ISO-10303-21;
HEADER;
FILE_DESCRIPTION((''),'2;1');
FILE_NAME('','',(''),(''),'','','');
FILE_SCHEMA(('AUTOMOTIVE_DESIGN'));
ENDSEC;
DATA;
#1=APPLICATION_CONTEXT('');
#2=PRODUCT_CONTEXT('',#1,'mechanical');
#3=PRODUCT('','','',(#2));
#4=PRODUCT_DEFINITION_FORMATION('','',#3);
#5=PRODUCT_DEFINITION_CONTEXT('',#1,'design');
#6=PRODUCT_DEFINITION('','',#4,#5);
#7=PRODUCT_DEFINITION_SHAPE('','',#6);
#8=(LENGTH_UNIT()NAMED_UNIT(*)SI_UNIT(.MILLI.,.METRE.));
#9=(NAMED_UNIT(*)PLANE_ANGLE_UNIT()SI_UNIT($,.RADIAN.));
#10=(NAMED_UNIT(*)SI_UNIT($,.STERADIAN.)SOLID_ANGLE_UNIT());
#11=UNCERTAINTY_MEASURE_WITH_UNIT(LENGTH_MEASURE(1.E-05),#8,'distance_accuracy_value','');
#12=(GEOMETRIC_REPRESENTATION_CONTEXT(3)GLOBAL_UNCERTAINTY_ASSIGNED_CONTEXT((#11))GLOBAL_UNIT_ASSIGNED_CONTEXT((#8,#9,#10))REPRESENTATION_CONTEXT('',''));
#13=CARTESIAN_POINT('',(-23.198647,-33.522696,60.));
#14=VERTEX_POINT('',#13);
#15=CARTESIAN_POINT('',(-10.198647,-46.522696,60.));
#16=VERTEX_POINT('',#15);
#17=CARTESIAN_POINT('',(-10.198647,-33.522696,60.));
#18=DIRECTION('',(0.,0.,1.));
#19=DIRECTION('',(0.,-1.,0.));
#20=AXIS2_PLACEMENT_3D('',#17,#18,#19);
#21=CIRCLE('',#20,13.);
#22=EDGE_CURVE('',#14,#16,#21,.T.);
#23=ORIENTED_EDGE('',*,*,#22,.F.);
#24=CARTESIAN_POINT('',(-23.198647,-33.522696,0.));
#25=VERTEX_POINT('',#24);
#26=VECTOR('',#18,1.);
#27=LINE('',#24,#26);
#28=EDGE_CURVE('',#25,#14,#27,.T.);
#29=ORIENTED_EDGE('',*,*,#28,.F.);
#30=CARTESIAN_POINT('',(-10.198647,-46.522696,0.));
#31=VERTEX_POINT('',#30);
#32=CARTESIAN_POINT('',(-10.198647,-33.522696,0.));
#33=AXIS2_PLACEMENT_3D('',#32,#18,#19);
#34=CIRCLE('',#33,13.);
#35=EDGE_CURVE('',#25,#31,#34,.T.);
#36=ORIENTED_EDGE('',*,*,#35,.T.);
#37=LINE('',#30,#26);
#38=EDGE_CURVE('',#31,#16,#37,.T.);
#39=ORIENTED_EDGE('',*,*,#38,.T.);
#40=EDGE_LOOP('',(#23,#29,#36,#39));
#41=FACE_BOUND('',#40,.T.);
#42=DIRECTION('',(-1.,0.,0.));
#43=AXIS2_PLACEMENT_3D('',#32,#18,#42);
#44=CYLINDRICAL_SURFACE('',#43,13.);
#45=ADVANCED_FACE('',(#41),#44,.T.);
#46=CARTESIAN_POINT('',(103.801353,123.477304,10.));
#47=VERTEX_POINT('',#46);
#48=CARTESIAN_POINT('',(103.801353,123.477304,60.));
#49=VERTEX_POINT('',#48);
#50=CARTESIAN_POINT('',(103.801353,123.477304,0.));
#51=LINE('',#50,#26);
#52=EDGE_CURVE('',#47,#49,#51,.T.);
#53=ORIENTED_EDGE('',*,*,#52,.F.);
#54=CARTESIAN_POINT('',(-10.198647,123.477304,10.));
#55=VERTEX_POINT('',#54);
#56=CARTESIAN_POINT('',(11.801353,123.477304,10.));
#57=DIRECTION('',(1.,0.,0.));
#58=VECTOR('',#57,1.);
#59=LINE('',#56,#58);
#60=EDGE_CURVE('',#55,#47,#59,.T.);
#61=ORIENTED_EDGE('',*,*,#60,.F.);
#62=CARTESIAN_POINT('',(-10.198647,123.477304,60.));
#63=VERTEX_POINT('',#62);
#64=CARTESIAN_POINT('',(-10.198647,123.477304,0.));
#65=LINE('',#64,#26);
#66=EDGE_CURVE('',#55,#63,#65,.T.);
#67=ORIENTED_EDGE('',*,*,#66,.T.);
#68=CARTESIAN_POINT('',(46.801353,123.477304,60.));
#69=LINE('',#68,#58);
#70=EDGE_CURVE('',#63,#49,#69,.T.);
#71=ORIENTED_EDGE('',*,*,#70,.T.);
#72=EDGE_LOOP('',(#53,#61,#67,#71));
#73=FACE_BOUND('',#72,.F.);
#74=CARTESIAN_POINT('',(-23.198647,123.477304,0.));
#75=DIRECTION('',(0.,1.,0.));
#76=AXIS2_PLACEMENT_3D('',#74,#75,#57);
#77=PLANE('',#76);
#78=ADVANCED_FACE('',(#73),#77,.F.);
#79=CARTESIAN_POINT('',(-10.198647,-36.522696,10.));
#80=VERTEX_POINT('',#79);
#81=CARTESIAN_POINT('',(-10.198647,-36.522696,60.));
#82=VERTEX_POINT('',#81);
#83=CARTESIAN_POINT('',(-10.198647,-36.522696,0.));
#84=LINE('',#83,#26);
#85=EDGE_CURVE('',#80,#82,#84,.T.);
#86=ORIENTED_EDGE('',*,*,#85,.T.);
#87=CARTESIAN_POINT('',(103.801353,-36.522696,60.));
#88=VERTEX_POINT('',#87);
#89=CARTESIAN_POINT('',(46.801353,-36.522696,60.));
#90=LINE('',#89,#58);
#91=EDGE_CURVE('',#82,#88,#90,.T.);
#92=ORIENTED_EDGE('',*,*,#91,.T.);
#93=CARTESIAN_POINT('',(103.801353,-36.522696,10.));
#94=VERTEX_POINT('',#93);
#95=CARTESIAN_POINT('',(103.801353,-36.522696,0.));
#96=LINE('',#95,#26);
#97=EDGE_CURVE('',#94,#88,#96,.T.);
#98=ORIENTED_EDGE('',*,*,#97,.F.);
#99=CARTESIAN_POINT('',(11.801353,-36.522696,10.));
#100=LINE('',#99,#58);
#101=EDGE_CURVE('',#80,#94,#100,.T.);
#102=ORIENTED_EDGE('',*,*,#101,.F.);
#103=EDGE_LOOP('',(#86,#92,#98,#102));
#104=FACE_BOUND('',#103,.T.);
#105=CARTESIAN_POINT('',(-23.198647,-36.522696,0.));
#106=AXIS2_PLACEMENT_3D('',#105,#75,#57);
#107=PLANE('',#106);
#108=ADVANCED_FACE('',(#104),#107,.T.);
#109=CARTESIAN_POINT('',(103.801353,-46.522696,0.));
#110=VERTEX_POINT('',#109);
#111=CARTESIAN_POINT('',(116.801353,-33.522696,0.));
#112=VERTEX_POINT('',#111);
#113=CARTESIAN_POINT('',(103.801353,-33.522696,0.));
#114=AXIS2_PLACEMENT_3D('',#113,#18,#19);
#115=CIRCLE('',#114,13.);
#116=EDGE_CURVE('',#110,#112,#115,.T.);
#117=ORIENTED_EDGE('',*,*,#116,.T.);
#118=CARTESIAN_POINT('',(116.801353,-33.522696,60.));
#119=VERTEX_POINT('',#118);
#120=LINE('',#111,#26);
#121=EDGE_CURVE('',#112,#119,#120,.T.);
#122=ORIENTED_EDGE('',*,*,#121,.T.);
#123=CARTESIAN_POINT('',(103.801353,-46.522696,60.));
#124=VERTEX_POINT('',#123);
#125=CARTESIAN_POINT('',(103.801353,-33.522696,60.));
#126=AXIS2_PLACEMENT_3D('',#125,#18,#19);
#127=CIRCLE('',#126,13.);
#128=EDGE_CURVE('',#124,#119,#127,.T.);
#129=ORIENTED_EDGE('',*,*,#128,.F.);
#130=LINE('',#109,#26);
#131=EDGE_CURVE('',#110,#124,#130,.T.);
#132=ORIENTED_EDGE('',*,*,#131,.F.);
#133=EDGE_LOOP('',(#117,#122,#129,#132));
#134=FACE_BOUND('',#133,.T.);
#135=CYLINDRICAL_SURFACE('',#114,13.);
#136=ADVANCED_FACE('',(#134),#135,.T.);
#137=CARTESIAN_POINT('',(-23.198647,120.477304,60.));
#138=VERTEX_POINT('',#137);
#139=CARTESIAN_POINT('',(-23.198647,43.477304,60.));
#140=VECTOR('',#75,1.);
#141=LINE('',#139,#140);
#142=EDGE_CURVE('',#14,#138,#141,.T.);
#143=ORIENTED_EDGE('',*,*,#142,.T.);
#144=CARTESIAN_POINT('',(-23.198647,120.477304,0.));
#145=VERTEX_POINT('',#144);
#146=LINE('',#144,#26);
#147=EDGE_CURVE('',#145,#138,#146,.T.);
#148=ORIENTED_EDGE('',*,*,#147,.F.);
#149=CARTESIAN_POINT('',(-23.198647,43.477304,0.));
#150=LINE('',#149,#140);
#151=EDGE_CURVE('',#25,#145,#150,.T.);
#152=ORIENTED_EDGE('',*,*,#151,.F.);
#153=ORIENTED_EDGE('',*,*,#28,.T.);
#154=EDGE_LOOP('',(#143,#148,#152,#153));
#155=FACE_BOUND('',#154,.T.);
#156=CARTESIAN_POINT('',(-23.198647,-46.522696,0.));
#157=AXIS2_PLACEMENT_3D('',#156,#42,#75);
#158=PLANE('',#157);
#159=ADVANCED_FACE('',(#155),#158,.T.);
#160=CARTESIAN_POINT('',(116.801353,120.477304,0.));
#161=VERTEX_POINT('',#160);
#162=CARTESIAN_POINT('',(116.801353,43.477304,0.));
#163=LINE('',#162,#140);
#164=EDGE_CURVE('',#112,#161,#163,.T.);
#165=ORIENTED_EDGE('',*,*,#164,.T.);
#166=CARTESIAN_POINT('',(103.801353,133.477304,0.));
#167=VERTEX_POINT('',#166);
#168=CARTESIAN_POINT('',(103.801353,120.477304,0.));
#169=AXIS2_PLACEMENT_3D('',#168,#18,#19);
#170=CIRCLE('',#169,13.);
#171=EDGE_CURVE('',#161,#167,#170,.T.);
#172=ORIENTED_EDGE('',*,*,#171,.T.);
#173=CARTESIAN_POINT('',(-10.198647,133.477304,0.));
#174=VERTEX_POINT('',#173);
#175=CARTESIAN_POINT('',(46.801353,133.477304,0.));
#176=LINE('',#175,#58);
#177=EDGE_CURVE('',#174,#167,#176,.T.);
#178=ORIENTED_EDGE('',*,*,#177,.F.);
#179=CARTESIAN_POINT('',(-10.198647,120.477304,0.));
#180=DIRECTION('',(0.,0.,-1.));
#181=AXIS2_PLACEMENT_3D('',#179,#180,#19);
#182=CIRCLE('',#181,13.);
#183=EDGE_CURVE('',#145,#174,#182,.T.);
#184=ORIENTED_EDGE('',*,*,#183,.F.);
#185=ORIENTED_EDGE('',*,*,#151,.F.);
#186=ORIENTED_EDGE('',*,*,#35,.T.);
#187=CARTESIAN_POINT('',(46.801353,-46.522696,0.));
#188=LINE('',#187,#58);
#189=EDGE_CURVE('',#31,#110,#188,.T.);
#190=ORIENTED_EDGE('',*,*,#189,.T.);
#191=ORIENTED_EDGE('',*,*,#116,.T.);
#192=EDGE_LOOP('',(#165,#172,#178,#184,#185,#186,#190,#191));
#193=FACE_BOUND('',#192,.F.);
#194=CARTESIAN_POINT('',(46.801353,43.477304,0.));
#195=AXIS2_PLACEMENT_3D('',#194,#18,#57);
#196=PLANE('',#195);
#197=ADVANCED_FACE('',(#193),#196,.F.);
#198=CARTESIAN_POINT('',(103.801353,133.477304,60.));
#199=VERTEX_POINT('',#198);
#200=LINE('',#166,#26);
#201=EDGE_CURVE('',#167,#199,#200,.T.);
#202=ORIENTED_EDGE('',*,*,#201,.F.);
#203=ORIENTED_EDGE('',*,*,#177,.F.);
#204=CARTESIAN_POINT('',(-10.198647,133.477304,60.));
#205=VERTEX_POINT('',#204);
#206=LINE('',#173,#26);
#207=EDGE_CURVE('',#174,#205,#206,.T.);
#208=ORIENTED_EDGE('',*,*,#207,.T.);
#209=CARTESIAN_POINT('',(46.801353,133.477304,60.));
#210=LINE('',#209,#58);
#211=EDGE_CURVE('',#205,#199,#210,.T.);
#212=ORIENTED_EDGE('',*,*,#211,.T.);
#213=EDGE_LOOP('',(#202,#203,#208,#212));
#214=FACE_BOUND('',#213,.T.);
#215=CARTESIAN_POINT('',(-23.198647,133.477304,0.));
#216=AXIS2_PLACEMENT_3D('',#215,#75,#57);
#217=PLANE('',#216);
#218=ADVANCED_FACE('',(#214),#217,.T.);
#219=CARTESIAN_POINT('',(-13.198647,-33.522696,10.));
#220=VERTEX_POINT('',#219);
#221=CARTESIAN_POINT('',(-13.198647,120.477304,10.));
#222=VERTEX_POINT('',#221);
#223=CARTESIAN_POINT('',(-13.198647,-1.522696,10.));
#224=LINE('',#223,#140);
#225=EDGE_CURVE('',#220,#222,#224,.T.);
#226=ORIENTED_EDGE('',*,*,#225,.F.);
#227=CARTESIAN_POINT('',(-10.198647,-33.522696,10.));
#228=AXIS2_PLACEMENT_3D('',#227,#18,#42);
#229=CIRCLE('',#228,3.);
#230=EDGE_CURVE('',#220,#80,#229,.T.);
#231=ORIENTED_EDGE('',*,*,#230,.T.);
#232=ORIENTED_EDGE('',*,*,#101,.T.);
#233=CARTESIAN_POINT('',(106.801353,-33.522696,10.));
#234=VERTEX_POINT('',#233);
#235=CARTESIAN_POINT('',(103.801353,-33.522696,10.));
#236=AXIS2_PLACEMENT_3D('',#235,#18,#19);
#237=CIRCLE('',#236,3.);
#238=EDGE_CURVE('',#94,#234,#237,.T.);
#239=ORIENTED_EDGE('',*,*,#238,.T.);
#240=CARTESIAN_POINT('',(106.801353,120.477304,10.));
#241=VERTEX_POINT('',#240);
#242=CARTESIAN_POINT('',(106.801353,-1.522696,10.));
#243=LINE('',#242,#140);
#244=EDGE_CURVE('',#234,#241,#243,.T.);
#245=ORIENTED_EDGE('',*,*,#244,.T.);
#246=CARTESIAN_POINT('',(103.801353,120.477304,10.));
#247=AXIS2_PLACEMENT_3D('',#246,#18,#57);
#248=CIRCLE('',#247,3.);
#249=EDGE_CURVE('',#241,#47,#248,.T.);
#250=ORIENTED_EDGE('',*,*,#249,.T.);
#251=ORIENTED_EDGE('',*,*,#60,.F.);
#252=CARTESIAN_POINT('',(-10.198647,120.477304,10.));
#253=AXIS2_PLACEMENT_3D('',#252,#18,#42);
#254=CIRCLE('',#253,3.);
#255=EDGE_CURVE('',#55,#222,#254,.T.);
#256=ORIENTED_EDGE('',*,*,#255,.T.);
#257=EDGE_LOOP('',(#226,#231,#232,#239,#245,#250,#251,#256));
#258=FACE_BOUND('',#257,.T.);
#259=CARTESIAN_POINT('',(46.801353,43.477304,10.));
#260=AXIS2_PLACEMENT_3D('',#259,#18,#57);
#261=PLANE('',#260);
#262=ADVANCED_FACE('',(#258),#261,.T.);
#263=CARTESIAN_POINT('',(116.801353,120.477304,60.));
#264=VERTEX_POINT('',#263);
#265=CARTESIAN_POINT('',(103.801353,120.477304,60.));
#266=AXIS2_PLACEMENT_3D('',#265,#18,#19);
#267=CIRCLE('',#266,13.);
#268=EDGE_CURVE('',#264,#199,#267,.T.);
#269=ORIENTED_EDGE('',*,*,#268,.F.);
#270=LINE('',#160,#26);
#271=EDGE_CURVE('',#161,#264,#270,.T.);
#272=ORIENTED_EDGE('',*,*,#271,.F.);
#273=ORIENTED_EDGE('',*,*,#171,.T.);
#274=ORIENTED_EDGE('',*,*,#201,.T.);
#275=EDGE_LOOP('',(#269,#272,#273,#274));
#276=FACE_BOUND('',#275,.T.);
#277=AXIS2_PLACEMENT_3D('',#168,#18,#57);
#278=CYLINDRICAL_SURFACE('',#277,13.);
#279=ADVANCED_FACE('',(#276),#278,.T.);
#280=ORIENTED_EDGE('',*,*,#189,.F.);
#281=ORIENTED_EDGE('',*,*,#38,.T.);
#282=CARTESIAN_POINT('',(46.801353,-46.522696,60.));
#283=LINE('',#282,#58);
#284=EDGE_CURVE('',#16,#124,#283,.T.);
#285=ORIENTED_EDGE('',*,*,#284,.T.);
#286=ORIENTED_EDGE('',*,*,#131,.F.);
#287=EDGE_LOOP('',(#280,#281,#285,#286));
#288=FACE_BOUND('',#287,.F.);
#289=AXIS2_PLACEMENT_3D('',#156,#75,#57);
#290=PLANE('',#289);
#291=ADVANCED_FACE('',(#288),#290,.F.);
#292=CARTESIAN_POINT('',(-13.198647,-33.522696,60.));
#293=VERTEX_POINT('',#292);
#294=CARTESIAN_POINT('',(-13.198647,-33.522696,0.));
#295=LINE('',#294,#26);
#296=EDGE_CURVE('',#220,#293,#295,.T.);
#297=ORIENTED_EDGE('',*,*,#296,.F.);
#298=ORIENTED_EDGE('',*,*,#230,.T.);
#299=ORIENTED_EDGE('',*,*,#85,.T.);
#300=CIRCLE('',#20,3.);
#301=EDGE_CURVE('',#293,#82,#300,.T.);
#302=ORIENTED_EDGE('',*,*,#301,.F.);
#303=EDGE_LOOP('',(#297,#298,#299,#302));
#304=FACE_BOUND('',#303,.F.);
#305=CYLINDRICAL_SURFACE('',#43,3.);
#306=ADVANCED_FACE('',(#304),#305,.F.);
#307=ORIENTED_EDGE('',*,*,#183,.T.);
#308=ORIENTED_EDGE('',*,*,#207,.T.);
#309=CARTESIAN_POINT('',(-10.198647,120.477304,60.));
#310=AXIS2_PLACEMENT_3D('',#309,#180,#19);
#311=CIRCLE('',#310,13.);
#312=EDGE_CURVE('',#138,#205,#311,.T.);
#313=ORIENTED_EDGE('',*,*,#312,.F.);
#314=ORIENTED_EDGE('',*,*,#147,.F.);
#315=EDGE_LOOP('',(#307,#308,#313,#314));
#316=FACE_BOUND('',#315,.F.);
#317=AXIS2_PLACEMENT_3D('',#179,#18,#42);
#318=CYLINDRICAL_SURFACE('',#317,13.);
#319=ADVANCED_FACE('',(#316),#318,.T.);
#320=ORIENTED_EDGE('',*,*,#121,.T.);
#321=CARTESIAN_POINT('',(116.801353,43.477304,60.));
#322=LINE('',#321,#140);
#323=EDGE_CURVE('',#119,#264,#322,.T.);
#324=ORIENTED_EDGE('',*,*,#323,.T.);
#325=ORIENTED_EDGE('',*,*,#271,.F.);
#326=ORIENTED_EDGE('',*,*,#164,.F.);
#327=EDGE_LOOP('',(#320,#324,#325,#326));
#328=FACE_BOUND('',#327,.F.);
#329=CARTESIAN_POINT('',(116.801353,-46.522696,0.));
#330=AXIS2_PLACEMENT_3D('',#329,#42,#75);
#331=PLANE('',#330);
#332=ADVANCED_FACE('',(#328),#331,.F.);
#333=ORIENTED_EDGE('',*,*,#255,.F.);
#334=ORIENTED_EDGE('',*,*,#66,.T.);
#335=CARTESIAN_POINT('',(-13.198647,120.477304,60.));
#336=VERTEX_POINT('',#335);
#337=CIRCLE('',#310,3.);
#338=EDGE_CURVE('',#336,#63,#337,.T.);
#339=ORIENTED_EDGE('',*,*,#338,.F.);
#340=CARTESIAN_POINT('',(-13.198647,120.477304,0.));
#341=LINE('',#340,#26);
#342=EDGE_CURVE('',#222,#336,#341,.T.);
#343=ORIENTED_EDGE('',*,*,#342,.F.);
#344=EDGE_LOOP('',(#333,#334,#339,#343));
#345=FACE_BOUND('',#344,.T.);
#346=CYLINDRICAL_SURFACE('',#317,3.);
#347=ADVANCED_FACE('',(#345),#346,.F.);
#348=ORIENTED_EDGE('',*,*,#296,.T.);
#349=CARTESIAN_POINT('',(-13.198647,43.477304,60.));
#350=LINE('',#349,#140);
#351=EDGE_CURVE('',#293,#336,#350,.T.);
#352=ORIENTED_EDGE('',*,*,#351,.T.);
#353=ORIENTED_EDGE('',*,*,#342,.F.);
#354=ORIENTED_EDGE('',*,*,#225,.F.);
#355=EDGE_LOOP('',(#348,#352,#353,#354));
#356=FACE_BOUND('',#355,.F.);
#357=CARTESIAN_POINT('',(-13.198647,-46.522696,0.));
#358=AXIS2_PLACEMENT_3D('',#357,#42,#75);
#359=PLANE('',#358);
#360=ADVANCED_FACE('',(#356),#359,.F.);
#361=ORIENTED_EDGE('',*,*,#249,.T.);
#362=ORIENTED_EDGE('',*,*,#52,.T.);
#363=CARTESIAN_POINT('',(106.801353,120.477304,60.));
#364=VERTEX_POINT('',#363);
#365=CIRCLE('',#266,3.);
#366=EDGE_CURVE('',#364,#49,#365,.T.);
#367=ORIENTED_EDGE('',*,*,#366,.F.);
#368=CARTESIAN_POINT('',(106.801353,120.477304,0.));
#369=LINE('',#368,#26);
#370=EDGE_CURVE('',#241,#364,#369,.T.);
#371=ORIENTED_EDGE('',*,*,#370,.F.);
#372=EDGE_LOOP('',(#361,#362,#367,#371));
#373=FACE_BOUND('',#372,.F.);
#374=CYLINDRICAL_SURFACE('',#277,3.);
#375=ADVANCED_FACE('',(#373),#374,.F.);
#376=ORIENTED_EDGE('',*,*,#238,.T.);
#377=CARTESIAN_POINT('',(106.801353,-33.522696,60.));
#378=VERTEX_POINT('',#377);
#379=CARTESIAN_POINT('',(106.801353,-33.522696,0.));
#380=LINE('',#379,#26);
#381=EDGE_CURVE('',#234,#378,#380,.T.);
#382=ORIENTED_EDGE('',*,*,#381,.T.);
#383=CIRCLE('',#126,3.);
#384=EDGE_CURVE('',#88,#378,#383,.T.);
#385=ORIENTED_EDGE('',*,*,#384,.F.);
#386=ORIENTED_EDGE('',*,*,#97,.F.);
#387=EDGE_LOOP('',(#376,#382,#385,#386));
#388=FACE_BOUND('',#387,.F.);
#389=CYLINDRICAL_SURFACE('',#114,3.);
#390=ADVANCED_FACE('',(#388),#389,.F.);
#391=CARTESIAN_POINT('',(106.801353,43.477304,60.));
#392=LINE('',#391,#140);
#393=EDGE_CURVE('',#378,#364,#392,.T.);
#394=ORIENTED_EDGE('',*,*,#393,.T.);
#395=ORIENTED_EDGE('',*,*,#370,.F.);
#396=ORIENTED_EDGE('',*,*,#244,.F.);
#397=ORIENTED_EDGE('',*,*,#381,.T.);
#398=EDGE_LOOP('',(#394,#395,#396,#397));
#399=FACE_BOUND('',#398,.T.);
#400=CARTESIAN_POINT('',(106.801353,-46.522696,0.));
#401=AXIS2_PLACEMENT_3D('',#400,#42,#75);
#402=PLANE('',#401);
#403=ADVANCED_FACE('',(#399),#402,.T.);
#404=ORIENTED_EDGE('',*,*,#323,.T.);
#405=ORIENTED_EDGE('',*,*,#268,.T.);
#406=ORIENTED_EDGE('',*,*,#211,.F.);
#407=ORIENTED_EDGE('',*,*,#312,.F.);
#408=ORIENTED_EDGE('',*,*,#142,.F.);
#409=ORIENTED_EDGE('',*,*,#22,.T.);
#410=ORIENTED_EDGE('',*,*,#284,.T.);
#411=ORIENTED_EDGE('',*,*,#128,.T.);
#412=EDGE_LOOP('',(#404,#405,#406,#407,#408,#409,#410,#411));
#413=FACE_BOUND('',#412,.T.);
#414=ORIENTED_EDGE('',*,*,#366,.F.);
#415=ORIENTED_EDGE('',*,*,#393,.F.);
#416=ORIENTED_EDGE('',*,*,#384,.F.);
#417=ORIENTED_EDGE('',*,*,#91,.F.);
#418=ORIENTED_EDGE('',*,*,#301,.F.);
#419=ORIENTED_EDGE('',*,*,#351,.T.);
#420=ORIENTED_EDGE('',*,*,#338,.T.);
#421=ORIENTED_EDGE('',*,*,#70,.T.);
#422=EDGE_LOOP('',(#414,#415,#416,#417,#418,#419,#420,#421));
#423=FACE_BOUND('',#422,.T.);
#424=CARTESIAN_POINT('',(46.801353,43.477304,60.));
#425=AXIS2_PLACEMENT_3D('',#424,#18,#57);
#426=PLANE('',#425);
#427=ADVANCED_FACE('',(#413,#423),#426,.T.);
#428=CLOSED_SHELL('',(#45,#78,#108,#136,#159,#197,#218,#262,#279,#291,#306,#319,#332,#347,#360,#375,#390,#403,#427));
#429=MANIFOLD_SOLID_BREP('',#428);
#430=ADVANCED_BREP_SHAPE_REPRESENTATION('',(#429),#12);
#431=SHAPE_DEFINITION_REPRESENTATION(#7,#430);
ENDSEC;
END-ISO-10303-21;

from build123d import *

# Parameters (mm, degrees)
F0_W     = 140
F0_H     = 180
F1_DEPTH = 60
F2_R     = 13
F3_T     = -10


with BuildPart() as f1:
    # F0 (on Top) → F1 (new body)
    with BuildSketch(Plane.XY):
        with Locations((46.801353, 43.477304)):
            Rectangle(F0_W, F0_H)
    extrude(amount=F1_DEPTH)

    # F2
    f2_edges = [f1.edges().sort_by_distance(p)[0] for p in [
        (-23.198647, 133.477304, 30),
        (116.801353, 133.477304, 30),
        (-23.198647, -46.522696, 30),
        (116.801353, -46.522696, 30),
    ]]
    fillet(f2_edges, radius=F2_R)

    # F3
    f3_openings = [f1.faces().sort_by_distance(p)[0] for p in [
        (46.801353, 43.477304, 60),
    ]]
    offset(amount=F3_T, openings=f3_openings)


solid = f1.part
